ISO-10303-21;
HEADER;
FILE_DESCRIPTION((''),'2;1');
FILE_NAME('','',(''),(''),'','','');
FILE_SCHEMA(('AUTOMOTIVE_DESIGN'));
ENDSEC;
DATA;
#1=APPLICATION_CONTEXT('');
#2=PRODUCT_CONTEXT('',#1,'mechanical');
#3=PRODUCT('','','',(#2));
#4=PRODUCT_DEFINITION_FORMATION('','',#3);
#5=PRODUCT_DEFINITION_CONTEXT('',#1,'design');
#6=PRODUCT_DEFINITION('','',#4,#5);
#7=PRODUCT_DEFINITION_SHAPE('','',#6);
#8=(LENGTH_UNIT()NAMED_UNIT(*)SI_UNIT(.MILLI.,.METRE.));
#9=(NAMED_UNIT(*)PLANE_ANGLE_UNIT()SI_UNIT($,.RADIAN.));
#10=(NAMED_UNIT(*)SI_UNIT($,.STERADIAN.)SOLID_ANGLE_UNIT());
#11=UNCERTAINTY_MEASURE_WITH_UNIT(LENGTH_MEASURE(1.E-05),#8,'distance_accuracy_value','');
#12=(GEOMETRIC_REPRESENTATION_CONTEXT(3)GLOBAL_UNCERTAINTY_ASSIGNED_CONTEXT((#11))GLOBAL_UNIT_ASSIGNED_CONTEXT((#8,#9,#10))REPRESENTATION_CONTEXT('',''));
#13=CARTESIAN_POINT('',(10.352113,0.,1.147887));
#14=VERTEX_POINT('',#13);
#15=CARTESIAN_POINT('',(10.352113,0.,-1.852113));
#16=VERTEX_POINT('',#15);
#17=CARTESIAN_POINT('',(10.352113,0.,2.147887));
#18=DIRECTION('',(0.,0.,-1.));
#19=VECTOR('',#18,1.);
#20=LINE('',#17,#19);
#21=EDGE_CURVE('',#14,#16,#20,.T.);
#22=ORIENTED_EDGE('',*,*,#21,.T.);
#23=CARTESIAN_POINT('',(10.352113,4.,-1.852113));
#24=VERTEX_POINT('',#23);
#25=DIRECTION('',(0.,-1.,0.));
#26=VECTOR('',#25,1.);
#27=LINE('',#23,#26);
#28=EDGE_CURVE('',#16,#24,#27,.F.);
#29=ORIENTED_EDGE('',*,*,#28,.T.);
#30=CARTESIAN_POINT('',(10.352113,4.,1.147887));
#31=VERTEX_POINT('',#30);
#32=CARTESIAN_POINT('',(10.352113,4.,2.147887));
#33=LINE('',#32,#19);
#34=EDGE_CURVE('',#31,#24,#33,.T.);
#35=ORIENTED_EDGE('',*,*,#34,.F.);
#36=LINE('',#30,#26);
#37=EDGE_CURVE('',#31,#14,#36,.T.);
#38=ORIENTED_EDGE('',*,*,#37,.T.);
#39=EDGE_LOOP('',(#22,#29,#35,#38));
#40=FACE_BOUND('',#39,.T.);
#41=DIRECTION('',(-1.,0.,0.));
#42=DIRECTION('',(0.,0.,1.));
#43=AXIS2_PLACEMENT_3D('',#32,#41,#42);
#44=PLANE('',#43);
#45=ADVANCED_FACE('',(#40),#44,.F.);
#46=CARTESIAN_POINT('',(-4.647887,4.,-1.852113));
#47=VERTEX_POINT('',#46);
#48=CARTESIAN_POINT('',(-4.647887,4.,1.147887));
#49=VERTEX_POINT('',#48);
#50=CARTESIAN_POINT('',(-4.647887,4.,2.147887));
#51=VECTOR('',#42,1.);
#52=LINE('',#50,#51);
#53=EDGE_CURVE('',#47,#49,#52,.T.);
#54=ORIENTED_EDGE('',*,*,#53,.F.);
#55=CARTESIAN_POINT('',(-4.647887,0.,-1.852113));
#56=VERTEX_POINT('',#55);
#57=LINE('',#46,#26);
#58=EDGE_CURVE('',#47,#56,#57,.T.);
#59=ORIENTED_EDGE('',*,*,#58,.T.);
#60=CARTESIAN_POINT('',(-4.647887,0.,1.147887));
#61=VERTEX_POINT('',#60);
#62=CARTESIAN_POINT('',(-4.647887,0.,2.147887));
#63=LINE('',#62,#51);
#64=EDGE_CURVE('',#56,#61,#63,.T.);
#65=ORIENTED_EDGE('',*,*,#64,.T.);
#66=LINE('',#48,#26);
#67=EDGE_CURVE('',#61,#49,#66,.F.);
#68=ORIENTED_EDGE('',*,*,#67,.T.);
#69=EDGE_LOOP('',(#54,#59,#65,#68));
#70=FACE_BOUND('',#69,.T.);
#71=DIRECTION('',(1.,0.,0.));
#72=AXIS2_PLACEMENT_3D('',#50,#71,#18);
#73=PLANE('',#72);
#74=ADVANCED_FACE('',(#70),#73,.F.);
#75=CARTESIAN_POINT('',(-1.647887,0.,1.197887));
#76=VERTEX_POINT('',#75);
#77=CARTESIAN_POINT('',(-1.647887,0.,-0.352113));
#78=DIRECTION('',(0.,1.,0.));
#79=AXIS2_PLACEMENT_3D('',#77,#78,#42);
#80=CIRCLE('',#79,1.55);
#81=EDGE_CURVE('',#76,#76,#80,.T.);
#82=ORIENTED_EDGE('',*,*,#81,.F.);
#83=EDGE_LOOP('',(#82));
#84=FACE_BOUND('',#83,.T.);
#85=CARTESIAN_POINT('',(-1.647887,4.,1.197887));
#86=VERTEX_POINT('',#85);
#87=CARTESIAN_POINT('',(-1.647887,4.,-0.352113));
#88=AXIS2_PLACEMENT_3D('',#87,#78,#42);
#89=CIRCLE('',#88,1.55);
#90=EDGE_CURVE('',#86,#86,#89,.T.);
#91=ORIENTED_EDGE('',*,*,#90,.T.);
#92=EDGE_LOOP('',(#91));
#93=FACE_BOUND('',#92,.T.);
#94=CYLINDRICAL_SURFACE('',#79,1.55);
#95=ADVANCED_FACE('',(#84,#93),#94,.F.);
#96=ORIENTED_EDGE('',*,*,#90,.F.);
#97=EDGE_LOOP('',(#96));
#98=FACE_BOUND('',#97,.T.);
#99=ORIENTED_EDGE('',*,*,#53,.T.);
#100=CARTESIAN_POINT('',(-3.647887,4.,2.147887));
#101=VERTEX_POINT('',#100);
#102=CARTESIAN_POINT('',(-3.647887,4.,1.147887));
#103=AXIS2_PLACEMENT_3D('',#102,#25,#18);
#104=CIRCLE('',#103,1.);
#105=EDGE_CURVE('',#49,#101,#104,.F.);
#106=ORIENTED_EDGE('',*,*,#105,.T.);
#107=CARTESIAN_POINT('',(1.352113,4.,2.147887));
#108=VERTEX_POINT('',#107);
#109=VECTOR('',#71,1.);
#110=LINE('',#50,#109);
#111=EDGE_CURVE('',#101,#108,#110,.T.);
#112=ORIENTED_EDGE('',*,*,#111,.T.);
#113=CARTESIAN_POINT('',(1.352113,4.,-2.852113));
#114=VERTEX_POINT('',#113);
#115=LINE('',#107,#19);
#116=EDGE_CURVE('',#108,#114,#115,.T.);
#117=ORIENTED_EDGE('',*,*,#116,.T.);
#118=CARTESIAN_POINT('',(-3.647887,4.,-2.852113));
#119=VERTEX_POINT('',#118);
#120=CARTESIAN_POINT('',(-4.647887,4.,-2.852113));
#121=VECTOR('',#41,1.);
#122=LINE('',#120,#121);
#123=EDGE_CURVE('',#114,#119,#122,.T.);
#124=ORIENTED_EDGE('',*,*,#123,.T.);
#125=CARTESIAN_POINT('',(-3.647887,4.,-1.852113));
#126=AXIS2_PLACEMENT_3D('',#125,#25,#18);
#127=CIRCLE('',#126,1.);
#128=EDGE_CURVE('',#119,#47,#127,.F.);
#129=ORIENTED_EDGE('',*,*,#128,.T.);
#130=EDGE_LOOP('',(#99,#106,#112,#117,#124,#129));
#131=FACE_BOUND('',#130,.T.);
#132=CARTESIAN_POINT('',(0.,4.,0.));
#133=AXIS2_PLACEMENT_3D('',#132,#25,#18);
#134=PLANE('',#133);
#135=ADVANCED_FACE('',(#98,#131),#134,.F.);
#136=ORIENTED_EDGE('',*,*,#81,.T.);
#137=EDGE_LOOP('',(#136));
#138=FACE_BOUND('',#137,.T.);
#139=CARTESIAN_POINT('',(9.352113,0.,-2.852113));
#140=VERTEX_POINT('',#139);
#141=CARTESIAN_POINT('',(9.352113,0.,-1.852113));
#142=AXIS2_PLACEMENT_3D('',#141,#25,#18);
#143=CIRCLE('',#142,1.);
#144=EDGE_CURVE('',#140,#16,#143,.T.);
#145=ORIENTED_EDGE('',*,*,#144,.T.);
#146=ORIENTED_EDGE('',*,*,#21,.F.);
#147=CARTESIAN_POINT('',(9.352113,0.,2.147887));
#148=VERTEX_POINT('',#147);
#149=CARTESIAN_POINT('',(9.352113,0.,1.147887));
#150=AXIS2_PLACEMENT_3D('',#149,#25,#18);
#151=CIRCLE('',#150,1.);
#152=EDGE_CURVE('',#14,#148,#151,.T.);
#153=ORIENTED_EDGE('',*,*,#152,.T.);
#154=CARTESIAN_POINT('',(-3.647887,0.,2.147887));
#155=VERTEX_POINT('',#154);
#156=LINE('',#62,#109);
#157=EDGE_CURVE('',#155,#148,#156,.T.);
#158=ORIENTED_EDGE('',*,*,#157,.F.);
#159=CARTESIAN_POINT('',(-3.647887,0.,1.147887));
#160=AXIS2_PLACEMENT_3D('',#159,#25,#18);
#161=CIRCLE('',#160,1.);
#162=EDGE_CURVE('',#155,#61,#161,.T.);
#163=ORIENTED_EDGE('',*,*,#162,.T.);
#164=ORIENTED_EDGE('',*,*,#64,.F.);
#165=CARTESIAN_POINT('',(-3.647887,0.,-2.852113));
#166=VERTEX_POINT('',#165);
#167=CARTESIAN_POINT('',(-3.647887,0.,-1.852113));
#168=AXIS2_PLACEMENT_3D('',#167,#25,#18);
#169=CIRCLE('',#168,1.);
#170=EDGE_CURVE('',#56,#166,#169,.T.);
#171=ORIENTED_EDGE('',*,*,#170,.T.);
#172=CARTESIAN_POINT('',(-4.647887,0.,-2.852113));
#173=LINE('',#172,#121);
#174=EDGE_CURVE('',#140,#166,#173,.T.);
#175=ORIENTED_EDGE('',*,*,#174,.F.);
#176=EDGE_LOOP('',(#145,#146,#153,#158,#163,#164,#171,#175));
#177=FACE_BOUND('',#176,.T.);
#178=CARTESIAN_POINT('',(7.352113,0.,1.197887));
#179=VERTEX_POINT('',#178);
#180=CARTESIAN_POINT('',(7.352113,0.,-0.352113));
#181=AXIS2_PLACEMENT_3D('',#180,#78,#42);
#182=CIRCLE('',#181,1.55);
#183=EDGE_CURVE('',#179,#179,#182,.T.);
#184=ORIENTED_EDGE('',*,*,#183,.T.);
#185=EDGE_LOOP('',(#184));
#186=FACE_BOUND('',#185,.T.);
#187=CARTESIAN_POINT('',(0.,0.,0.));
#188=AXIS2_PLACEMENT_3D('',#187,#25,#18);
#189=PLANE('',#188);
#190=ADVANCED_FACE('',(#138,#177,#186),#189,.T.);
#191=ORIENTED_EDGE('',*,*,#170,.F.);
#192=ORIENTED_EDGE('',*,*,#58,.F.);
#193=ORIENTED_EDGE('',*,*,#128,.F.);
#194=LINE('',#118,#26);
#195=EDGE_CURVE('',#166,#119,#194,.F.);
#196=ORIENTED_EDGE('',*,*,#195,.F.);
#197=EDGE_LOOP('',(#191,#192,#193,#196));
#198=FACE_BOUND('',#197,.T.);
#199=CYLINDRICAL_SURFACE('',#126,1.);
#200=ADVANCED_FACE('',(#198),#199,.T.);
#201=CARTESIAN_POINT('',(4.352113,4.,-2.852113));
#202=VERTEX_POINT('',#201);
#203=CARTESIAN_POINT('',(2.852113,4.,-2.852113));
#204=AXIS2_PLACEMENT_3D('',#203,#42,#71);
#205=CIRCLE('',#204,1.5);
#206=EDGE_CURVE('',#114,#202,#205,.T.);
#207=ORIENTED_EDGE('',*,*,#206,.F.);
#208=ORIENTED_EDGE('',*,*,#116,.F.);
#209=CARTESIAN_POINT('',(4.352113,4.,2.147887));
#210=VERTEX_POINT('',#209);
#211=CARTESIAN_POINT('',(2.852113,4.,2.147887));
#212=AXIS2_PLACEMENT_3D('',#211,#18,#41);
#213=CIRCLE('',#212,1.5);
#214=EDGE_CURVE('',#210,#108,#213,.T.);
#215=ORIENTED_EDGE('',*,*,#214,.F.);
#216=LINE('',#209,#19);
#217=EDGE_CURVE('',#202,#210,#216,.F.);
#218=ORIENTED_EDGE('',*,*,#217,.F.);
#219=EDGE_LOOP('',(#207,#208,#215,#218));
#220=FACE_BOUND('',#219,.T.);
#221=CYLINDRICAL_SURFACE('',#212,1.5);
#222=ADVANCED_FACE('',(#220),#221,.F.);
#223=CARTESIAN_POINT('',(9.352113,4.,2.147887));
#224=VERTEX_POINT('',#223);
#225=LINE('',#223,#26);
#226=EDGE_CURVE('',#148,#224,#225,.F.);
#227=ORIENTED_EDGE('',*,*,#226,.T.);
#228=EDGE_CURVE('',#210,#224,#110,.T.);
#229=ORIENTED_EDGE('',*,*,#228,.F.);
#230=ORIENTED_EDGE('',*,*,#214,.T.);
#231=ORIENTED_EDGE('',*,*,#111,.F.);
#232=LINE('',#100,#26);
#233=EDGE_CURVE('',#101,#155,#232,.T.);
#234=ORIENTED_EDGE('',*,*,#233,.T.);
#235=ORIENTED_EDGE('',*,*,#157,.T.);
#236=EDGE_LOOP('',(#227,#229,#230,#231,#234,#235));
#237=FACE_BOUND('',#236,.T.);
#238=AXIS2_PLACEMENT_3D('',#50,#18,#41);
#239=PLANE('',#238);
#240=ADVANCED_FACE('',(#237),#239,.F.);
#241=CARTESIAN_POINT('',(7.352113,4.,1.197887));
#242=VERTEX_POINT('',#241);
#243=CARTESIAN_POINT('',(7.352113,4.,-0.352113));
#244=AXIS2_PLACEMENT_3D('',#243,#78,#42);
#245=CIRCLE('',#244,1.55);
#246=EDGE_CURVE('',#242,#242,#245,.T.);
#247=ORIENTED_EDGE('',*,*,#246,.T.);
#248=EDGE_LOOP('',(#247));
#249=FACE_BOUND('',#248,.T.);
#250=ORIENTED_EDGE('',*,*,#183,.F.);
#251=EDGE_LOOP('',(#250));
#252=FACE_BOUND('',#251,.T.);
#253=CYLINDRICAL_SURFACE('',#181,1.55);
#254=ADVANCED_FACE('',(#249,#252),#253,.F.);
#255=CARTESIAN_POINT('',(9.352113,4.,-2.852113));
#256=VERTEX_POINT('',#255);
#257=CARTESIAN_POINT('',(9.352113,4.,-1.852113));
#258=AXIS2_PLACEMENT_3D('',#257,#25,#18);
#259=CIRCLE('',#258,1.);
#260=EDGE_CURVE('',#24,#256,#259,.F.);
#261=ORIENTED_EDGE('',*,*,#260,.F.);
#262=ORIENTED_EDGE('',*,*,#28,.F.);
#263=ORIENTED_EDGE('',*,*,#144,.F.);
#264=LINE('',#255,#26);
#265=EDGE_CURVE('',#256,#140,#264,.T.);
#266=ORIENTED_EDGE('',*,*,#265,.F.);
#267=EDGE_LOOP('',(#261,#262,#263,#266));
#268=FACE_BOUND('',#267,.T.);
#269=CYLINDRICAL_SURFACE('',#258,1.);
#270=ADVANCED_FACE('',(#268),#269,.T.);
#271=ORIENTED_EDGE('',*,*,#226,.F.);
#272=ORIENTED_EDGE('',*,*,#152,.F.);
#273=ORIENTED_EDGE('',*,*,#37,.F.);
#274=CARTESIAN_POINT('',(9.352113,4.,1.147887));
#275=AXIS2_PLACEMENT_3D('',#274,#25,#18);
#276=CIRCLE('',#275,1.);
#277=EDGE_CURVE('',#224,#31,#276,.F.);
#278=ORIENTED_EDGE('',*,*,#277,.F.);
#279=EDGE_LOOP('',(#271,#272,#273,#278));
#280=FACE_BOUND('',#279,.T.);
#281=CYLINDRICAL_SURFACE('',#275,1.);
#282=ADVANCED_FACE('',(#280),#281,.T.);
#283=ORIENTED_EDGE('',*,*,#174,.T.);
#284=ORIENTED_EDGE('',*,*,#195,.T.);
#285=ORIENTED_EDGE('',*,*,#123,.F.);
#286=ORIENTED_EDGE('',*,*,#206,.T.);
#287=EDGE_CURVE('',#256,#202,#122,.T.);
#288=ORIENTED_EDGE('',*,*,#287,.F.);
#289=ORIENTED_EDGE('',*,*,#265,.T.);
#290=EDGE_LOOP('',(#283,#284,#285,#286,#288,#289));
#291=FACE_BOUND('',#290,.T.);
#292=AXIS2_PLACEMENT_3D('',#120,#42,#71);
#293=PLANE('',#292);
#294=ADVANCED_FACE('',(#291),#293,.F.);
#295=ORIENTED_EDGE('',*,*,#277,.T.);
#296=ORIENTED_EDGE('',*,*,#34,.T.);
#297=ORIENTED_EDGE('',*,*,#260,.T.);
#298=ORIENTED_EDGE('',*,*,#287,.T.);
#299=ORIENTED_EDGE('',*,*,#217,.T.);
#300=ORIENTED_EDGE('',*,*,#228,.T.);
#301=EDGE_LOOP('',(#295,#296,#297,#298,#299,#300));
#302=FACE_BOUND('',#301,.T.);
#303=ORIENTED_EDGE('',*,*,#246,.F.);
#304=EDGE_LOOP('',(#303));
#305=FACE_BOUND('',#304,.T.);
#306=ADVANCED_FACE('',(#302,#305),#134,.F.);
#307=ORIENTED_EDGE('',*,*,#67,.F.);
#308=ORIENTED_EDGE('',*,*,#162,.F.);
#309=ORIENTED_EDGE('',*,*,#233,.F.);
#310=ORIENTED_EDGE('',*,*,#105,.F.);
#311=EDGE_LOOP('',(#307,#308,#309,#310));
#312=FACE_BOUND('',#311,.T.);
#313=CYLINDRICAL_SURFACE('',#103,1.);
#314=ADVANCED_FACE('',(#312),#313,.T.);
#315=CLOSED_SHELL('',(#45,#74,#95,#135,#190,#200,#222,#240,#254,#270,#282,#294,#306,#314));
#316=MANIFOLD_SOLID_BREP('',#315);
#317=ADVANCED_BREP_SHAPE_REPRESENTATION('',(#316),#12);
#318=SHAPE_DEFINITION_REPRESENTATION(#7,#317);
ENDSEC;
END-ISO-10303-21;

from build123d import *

# Parameters (mm, degrees)
SKETCH1_W               = 15
SKETCH1_H               = 5
BOSS_EXTRUDE1_DEPTH     = 4
CUT_EXTRUDE1_DEPTH      = 13.172355436
CUT_EXTRUDE1_DEPTH_BACK = 13.172355436
SKETCH2_R               = 1.5
SKETCH3_R               = 1.55
CUT_EXTRUDE2_DEPTH      = 12.4586554
FILLET1_R               = 1


with BuildPart() as part:
    # Sketch1 → Boss-Extrude1 (new body)
    with BuildSketch(Plane(origin=(0, 0, 0), x_dir=(1, 0, 0), z_dir=(0, 1, 0))):
        with Locations((2.852112676, 0.352112676)):
            Rectangle(SKETCH1_W, SKETCH1_H)
    extrude(amount=BOSS_EXTRUDE1_DEPTH)

    # Sketch2 → Cut-Extrude1 (cut, two sides: drawn at the far end of the back side and taken through both)
    with BuildSketch(Plane(origin=(0, 0, -2.852112676), x_dir=(-1, 0, 0), z_dir=(0, 0, -1)).offset(-CUT_EXTRUDE1_DEPTH_BACK)):
        with Locations((-2.852112676, 4)):
            Circle(SKETCH2_R)
    extrude(amount=CUT_EXTRUDE1_DEPTH + CUT_EXTRUDE1_DEPTH_BACK, mode=Mode.SUBTRACT)

    # Sketch3 → Cut-Extrude2 (cut, through all)
    with BuildSketch(Plane(origin=(0, 4, 0), x_dir=(1, 0, 0), z_dir=(0, 1, 0))):
        with Locations(Location((-1.647887324, 0.352112676, 0), (0, 0, 270))):
            Circle(SKETCH3_R)
        with Locations(Location((7.352112676, 0.352112676, 0), (0, 0, 270))):
            Circle(SKETCH3_R)
    extrude(amount=-CUT_EXTRUDE2_DEPTH, mode=Mode.SUBTRACT)

    # Fillet1
    fillet1_edges = [part.edges().sort_by_distance(p)[0] for p in [
        (-4.647887324, 2, -2.852112676),
        (10.352112676, 2, -2.852112676),
        (10.352112676, 2, 2.147887324),
        (-4.647887324, 2, 2.147887324),
    ]]
    fillet(fillet1_edges, radius=FILLET1_R)


solid = part.part
